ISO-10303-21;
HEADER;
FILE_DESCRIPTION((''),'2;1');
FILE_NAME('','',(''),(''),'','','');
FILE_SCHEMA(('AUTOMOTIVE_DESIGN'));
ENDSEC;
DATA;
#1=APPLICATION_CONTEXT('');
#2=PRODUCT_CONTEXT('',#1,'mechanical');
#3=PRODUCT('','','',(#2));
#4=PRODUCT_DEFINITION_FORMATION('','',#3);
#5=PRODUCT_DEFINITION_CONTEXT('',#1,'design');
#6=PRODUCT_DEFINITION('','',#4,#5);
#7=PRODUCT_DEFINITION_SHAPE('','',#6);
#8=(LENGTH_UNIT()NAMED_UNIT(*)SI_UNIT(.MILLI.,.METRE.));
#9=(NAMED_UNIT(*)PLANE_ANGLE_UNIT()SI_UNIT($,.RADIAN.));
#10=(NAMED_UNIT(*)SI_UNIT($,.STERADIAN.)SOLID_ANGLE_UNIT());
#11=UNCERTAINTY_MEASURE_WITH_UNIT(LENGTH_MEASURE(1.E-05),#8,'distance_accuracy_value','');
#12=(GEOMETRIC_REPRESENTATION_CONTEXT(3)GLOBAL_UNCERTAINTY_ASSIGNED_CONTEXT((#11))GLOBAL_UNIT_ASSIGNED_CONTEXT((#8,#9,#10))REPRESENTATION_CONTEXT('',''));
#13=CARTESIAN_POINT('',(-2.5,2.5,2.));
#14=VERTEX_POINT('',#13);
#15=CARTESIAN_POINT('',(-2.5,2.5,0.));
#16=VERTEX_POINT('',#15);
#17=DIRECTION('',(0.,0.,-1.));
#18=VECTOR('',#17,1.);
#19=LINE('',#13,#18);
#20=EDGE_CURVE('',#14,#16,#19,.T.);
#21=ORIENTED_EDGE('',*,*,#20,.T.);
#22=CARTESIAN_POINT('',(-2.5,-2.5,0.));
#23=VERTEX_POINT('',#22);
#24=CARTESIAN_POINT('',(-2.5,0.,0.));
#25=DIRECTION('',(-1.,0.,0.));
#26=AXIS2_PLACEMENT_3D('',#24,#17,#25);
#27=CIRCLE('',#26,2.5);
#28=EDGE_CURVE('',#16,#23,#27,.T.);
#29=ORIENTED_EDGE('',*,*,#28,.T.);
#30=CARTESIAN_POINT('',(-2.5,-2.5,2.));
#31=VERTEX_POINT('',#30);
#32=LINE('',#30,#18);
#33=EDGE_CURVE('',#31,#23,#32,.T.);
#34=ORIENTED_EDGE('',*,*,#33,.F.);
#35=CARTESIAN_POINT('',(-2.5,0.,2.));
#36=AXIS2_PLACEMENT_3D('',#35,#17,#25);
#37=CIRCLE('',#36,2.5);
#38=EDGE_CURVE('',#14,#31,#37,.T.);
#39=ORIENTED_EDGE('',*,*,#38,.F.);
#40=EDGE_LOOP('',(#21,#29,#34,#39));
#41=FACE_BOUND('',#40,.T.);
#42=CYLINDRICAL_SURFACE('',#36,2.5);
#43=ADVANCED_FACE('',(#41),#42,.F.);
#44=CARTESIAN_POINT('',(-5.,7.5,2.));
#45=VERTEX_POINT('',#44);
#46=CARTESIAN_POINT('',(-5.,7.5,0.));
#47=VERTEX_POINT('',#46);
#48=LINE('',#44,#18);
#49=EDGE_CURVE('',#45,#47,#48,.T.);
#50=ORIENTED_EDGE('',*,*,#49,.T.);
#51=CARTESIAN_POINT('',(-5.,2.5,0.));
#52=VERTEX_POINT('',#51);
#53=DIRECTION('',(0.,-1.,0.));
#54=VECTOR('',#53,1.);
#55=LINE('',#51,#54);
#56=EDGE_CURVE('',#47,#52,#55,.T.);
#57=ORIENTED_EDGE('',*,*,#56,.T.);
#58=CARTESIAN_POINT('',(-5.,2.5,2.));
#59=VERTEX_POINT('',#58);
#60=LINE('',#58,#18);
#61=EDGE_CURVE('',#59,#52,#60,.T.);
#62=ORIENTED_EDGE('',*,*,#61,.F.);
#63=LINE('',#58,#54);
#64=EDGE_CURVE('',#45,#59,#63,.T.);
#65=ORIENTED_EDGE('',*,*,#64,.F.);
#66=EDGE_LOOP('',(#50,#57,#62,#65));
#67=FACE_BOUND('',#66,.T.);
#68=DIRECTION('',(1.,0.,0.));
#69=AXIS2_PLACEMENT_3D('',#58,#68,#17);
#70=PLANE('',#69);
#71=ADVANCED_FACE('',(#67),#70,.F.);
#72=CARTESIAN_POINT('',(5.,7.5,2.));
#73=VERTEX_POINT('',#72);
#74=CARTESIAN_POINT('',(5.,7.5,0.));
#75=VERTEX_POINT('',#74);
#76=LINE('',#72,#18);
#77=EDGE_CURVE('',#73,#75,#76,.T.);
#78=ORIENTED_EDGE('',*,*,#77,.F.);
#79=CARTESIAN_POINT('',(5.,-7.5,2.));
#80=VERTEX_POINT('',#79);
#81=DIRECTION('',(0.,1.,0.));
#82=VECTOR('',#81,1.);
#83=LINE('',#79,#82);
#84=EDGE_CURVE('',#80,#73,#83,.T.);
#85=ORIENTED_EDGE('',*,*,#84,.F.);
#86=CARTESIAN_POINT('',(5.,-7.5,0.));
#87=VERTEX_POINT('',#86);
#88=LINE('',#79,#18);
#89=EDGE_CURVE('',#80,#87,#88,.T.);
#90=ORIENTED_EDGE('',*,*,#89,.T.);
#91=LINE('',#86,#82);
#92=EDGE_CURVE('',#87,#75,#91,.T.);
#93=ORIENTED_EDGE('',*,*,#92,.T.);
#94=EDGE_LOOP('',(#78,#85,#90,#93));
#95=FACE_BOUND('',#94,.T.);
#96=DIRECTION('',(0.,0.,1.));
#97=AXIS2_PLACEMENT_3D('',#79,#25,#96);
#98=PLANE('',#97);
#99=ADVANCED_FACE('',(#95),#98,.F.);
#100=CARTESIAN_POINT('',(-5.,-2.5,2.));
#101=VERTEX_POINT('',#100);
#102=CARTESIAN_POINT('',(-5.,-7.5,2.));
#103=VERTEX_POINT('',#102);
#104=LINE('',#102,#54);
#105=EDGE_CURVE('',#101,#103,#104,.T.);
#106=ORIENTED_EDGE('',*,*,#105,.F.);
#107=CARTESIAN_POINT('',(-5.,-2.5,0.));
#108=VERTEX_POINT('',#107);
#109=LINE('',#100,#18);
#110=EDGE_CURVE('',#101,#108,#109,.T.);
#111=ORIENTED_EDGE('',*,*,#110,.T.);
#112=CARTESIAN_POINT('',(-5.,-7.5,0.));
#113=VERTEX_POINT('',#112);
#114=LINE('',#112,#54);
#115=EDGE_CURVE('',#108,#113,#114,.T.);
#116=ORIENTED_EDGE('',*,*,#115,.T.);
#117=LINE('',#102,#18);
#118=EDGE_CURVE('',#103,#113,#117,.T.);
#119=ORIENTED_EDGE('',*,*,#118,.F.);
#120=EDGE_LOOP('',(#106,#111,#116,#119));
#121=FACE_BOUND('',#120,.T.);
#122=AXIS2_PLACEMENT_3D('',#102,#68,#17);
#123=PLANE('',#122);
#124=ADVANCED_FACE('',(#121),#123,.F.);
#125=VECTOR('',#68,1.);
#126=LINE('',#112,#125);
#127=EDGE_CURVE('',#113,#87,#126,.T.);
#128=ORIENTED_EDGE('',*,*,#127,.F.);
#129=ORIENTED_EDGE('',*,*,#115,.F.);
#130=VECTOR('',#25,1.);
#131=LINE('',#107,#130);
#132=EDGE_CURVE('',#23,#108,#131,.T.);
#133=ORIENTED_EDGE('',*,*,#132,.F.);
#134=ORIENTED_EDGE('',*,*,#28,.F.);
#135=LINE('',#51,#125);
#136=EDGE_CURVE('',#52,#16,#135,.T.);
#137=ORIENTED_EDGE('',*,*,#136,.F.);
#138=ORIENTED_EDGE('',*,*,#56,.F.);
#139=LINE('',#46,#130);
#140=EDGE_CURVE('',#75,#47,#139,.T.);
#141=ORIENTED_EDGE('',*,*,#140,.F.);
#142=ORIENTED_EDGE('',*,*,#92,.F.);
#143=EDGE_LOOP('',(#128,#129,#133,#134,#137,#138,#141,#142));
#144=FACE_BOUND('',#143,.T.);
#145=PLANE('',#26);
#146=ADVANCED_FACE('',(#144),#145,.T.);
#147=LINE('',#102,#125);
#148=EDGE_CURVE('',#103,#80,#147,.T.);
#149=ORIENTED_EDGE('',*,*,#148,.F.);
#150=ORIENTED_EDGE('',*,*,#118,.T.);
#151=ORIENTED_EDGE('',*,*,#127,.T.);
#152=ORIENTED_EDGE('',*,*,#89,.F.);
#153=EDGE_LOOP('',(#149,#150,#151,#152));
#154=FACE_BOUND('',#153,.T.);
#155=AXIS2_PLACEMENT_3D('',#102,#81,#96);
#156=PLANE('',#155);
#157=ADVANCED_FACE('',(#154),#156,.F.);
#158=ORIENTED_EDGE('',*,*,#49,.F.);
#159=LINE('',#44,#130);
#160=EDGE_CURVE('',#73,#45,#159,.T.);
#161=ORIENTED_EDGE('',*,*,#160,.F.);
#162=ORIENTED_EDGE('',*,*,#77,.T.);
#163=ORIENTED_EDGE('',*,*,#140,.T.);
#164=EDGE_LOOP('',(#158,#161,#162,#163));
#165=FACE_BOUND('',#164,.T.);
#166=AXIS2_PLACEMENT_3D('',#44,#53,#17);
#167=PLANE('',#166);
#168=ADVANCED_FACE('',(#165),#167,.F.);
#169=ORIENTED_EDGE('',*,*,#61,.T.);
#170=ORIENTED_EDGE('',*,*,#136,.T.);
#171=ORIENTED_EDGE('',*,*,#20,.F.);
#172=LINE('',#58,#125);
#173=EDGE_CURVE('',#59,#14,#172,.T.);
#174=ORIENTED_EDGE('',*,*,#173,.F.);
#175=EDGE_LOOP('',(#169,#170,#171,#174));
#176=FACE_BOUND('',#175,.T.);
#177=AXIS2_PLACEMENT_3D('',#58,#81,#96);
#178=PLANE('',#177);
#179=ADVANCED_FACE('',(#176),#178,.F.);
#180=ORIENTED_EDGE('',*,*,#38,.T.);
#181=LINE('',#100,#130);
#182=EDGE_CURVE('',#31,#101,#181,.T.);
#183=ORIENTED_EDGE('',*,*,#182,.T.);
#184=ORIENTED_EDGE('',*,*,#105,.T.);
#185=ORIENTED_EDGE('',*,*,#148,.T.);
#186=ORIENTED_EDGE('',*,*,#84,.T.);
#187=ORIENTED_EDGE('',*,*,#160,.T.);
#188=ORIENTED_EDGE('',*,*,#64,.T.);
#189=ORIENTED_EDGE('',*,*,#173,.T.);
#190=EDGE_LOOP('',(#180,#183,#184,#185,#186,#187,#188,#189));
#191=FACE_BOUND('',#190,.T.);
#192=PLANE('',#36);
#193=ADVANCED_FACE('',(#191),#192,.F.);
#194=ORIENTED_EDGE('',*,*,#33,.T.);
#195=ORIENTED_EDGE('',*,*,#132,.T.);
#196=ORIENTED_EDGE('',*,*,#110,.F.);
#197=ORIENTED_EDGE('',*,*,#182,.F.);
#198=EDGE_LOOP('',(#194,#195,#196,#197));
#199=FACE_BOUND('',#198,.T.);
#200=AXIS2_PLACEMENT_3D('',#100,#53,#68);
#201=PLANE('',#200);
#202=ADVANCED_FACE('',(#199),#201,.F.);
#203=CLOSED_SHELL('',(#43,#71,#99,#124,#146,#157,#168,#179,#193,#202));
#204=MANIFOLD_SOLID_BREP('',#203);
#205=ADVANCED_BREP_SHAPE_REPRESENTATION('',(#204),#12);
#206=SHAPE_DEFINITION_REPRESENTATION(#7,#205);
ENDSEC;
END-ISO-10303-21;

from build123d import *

# Parameters (mm, degrees)
BOSS_EXTRUDE1_DEPTH = 2


with BuildPart() as part:
    # Sketch1 → Boss-Extrude1 (new body)
    with BuildSketch(Plane.XY):
        with BuildLine():
            Line((-5, 2.5), (-5, 7.5))
            Line((-5, 7.5), (5, 7.5))
            Line((5, 7.5), (5, -7.5))
            Line((5, -7.5), (-5, -7.5))
            Line((-5, -7.5), (-5, -2.5))
            Line((-5, -2.5), (-2.5, -2.5))
            ThreePointArc((-2.5, -2.5), (0, 0), (-2.5, 2.5))
            Line((-2.5, 2.5), (-5, 2.5))
        make_face()
    extrude(amount=BOSS_EXTRUDE1_DEPTH)


solid = part.part
